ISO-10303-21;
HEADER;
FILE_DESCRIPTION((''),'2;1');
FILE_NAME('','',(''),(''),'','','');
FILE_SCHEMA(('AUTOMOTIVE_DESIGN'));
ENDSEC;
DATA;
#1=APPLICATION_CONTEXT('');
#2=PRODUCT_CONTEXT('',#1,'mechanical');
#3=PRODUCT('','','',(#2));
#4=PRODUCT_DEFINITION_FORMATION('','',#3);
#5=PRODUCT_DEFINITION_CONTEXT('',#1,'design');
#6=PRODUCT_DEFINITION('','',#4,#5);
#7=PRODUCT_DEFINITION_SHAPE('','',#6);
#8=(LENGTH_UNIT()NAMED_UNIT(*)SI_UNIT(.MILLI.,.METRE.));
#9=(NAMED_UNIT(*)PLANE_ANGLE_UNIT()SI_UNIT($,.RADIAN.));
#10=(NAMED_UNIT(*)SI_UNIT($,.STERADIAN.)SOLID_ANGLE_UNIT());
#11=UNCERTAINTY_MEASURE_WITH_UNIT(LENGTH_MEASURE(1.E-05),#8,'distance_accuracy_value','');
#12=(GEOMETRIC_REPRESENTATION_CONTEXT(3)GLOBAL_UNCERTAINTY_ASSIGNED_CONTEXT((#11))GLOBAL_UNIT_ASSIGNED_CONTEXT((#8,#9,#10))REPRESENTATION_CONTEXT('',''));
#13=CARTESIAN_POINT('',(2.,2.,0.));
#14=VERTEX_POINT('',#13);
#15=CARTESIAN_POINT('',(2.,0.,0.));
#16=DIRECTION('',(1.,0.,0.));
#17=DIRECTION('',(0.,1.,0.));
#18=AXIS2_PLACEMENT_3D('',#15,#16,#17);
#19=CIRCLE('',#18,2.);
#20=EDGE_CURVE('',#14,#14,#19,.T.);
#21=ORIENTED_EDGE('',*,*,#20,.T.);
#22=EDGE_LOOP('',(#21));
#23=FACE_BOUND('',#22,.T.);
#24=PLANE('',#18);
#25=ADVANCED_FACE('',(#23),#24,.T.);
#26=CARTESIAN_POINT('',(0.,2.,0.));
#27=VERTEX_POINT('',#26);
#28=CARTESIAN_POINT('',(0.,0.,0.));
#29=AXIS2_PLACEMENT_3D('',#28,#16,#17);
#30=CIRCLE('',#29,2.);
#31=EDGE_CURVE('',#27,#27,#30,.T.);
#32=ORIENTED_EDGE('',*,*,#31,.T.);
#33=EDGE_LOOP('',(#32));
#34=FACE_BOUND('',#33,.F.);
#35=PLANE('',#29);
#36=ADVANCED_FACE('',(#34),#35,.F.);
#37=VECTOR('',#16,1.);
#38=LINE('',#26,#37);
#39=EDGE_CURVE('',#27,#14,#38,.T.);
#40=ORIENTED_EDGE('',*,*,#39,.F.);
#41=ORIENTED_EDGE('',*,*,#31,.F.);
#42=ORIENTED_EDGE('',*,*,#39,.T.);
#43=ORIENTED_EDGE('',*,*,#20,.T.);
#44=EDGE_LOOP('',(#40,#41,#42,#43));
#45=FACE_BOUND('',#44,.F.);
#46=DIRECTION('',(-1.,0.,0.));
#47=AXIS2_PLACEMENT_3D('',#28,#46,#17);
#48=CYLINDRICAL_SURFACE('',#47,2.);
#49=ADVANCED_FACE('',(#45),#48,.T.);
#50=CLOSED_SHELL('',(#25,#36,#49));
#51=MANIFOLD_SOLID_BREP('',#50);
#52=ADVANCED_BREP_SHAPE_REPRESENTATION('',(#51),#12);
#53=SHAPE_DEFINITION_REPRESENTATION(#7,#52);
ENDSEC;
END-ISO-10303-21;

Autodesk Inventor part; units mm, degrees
ref_plane "YZ Plane" through (0, 0, 0) normal (1, 0, 0) x (0, 1, 0)
ref_plane "XZ Plane" through (0, 0, 0) normal (0, 1, 0) x (-1, 0, 0)
ref_plane "XY Plane" through (0, 0, 0) normal (0, 0, 1) x (1, 0, 0)
sketch "スケッチ1" plane through (0, 0, 0) normal (1, 0, 0) x (0, 1, 0)
  circle A0 centre (0, 0) radius 2
  dimension "d0" = 4
extrude "押し出し1" add sketch "スケッチ1" along normal blind 2
properties part number "Magnet"
